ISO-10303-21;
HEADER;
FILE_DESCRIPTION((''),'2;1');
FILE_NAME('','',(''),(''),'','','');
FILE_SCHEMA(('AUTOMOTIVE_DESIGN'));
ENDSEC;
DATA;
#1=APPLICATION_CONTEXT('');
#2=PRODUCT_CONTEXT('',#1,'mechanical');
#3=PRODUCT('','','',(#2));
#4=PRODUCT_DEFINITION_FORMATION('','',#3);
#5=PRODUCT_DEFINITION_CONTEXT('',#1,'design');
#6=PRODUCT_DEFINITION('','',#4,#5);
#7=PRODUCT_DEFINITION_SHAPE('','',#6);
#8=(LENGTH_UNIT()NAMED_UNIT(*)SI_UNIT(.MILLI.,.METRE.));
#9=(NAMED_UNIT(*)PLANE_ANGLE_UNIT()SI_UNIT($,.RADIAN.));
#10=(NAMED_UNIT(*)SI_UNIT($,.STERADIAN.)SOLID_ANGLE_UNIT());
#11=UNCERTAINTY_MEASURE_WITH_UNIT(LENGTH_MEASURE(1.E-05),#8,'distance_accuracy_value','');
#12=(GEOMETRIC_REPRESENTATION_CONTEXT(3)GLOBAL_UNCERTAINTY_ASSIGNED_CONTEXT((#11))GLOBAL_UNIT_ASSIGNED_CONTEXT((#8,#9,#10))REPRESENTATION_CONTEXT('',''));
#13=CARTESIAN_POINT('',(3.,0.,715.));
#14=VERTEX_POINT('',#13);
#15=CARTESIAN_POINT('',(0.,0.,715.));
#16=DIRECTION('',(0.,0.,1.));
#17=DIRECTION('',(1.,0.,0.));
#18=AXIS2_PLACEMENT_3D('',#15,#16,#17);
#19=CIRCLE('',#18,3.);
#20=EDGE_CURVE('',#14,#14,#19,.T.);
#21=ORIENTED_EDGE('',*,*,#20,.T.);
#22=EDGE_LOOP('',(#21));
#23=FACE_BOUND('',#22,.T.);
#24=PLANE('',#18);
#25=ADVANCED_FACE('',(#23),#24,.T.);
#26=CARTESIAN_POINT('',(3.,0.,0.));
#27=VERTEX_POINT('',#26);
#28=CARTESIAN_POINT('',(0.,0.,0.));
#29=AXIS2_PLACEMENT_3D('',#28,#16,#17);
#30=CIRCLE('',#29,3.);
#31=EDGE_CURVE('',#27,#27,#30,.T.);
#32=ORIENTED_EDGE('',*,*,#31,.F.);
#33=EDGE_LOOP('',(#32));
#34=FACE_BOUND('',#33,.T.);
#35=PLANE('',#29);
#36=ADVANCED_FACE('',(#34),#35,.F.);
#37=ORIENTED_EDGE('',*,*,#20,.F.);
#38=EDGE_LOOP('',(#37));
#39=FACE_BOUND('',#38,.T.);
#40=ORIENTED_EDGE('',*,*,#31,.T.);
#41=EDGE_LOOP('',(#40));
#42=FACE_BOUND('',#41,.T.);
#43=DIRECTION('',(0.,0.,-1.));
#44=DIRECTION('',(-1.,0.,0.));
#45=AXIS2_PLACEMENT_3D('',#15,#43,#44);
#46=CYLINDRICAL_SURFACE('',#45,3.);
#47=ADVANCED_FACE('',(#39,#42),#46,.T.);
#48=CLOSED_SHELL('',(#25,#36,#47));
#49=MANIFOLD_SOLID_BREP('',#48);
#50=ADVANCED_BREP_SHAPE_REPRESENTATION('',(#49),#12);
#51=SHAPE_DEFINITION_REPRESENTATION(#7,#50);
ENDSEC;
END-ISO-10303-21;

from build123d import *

# Parameters (mm, degrees)
ESQUISSE1_R        = 3
BOSS_EXTRU_1_DEPTH = 715


with BuildPart() as part:
    # Esquisse1 → Boss.-Extru.1 (new body)
    with BuildSketch(Plane.XY):
        Circle(ESQUISSE1_R)
    extrude(amount=BOSS_EXTRU_1_DEPTH)


solid = part.part
